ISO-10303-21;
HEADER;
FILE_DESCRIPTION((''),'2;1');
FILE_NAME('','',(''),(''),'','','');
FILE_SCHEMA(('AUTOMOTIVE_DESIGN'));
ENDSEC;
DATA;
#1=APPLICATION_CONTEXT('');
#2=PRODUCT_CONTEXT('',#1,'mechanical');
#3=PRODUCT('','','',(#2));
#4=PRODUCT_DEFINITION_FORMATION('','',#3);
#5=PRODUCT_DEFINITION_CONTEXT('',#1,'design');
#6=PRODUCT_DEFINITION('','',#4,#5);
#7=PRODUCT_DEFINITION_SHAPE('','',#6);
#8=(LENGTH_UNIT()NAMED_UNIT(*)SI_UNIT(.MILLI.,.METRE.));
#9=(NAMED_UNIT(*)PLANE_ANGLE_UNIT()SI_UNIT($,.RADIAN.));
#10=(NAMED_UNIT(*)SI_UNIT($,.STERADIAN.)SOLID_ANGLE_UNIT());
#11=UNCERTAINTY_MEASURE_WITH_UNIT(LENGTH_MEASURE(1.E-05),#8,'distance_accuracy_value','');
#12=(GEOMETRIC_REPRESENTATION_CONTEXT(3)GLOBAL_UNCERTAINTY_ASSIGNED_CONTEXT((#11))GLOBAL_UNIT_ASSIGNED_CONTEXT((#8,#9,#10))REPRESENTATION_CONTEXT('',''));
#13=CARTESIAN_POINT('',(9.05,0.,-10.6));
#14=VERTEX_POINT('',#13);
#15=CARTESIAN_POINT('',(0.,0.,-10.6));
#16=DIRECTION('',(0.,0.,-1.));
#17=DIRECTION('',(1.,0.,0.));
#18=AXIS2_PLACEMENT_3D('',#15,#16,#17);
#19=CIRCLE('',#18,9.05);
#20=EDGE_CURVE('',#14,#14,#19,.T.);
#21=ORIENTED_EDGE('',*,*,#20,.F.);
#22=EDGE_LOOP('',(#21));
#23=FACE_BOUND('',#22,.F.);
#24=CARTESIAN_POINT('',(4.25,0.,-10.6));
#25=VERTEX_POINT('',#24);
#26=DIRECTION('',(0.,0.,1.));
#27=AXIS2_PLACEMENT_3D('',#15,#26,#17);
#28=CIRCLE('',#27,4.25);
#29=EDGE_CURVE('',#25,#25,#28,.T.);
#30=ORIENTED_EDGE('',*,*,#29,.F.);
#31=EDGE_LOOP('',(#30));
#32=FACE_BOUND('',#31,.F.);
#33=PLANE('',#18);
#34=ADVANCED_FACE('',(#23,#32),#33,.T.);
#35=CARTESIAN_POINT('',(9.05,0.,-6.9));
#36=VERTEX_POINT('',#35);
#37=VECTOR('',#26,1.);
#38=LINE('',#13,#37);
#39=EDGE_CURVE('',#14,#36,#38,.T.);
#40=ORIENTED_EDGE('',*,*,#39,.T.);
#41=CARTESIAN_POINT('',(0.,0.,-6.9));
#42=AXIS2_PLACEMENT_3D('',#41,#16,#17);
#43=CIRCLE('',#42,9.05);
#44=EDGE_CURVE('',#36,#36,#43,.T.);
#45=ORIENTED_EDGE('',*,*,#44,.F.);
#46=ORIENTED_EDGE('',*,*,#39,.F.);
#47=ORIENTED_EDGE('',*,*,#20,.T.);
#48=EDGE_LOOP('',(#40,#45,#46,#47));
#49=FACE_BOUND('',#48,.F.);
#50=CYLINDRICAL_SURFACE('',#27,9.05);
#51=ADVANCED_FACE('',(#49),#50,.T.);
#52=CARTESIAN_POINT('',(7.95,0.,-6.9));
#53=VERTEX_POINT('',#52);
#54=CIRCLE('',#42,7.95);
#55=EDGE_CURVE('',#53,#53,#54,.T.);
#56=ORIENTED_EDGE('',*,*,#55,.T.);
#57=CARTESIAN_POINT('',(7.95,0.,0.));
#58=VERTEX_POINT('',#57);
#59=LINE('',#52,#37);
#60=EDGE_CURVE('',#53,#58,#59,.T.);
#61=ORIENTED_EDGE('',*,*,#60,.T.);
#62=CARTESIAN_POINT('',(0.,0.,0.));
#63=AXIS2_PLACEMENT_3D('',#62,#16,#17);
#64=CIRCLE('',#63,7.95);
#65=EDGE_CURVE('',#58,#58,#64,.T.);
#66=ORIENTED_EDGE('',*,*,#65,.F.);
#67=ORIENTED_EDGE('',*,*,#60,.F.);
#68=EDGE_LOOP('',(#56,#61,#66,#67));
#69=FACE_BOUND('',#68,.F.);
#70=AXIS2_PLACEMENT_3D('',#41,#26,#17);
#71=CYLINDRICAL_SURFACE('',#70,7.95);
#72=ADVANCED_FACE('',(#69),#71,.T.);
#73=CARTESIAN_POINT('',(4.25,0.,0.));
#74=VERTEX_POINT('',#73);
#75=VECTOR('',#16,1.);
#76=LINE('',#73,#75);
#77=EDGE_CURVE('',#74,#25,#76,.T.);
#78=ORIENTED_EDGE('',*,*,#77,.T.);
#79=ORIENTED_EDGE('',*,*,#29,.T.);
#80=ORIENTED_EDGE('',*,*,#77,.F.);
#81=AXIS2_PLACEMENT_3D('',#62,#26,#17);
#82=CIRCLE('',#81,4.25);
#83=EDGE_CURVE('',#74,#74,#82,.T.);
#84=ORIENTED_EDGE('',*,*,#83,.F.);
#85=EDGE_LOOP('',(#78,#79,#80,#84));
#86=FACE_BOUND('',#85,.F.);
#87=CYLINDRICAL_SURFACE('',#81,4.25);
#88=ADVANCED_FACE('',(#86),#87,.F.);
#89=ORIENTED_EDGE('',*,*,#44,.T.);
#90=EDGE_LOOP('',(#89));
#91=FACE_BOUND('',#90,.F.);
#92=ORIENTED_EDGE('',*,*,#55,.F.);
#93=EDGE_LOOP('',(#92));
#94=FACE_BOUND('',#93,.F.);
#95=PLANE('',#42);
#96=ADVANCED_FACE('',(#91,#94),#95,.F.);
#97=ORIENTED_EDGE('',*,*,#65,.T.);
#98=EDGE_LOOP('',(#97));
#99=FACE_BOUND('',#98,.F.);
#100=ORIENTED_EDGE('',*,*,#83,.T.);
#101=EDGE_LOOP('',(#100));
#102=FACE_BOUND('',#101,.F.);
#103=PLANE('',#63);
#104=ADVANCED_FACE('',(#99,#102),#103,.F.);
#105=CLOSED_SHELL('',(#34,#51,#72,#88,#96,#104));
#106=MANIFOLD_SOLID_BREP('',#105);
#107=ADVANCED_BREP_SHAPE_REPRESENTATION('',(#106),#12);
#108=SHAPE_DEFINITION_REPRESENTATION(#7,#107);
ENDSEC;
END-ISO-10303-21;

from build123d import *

# Parameters (mm, degrees)
F2_R     = 4.25
F3_DEPTH = 10.601


with BuildPart() as f1:
    # F0 (on Front) → F1 (revolve)
    with BuildSketch(Plane.XZ):
        Polygon((7.95, 0), (0, 0), (0, -10.6), (9.05, -10.6), (9.05, -6.9), (7.95, -6.9), align=None)
    revolve(axis=Axis((0, 0, -5.3), (0, 0, -1)))

    # F2 (on face) → F3 (cut, through all)
    with BuildSketch(Plane.XY):
        Circle(F2_R)
    extrude(amount=-F3_DEPTH, mode=Mode.SUBTRACT)


solid = f1.part
